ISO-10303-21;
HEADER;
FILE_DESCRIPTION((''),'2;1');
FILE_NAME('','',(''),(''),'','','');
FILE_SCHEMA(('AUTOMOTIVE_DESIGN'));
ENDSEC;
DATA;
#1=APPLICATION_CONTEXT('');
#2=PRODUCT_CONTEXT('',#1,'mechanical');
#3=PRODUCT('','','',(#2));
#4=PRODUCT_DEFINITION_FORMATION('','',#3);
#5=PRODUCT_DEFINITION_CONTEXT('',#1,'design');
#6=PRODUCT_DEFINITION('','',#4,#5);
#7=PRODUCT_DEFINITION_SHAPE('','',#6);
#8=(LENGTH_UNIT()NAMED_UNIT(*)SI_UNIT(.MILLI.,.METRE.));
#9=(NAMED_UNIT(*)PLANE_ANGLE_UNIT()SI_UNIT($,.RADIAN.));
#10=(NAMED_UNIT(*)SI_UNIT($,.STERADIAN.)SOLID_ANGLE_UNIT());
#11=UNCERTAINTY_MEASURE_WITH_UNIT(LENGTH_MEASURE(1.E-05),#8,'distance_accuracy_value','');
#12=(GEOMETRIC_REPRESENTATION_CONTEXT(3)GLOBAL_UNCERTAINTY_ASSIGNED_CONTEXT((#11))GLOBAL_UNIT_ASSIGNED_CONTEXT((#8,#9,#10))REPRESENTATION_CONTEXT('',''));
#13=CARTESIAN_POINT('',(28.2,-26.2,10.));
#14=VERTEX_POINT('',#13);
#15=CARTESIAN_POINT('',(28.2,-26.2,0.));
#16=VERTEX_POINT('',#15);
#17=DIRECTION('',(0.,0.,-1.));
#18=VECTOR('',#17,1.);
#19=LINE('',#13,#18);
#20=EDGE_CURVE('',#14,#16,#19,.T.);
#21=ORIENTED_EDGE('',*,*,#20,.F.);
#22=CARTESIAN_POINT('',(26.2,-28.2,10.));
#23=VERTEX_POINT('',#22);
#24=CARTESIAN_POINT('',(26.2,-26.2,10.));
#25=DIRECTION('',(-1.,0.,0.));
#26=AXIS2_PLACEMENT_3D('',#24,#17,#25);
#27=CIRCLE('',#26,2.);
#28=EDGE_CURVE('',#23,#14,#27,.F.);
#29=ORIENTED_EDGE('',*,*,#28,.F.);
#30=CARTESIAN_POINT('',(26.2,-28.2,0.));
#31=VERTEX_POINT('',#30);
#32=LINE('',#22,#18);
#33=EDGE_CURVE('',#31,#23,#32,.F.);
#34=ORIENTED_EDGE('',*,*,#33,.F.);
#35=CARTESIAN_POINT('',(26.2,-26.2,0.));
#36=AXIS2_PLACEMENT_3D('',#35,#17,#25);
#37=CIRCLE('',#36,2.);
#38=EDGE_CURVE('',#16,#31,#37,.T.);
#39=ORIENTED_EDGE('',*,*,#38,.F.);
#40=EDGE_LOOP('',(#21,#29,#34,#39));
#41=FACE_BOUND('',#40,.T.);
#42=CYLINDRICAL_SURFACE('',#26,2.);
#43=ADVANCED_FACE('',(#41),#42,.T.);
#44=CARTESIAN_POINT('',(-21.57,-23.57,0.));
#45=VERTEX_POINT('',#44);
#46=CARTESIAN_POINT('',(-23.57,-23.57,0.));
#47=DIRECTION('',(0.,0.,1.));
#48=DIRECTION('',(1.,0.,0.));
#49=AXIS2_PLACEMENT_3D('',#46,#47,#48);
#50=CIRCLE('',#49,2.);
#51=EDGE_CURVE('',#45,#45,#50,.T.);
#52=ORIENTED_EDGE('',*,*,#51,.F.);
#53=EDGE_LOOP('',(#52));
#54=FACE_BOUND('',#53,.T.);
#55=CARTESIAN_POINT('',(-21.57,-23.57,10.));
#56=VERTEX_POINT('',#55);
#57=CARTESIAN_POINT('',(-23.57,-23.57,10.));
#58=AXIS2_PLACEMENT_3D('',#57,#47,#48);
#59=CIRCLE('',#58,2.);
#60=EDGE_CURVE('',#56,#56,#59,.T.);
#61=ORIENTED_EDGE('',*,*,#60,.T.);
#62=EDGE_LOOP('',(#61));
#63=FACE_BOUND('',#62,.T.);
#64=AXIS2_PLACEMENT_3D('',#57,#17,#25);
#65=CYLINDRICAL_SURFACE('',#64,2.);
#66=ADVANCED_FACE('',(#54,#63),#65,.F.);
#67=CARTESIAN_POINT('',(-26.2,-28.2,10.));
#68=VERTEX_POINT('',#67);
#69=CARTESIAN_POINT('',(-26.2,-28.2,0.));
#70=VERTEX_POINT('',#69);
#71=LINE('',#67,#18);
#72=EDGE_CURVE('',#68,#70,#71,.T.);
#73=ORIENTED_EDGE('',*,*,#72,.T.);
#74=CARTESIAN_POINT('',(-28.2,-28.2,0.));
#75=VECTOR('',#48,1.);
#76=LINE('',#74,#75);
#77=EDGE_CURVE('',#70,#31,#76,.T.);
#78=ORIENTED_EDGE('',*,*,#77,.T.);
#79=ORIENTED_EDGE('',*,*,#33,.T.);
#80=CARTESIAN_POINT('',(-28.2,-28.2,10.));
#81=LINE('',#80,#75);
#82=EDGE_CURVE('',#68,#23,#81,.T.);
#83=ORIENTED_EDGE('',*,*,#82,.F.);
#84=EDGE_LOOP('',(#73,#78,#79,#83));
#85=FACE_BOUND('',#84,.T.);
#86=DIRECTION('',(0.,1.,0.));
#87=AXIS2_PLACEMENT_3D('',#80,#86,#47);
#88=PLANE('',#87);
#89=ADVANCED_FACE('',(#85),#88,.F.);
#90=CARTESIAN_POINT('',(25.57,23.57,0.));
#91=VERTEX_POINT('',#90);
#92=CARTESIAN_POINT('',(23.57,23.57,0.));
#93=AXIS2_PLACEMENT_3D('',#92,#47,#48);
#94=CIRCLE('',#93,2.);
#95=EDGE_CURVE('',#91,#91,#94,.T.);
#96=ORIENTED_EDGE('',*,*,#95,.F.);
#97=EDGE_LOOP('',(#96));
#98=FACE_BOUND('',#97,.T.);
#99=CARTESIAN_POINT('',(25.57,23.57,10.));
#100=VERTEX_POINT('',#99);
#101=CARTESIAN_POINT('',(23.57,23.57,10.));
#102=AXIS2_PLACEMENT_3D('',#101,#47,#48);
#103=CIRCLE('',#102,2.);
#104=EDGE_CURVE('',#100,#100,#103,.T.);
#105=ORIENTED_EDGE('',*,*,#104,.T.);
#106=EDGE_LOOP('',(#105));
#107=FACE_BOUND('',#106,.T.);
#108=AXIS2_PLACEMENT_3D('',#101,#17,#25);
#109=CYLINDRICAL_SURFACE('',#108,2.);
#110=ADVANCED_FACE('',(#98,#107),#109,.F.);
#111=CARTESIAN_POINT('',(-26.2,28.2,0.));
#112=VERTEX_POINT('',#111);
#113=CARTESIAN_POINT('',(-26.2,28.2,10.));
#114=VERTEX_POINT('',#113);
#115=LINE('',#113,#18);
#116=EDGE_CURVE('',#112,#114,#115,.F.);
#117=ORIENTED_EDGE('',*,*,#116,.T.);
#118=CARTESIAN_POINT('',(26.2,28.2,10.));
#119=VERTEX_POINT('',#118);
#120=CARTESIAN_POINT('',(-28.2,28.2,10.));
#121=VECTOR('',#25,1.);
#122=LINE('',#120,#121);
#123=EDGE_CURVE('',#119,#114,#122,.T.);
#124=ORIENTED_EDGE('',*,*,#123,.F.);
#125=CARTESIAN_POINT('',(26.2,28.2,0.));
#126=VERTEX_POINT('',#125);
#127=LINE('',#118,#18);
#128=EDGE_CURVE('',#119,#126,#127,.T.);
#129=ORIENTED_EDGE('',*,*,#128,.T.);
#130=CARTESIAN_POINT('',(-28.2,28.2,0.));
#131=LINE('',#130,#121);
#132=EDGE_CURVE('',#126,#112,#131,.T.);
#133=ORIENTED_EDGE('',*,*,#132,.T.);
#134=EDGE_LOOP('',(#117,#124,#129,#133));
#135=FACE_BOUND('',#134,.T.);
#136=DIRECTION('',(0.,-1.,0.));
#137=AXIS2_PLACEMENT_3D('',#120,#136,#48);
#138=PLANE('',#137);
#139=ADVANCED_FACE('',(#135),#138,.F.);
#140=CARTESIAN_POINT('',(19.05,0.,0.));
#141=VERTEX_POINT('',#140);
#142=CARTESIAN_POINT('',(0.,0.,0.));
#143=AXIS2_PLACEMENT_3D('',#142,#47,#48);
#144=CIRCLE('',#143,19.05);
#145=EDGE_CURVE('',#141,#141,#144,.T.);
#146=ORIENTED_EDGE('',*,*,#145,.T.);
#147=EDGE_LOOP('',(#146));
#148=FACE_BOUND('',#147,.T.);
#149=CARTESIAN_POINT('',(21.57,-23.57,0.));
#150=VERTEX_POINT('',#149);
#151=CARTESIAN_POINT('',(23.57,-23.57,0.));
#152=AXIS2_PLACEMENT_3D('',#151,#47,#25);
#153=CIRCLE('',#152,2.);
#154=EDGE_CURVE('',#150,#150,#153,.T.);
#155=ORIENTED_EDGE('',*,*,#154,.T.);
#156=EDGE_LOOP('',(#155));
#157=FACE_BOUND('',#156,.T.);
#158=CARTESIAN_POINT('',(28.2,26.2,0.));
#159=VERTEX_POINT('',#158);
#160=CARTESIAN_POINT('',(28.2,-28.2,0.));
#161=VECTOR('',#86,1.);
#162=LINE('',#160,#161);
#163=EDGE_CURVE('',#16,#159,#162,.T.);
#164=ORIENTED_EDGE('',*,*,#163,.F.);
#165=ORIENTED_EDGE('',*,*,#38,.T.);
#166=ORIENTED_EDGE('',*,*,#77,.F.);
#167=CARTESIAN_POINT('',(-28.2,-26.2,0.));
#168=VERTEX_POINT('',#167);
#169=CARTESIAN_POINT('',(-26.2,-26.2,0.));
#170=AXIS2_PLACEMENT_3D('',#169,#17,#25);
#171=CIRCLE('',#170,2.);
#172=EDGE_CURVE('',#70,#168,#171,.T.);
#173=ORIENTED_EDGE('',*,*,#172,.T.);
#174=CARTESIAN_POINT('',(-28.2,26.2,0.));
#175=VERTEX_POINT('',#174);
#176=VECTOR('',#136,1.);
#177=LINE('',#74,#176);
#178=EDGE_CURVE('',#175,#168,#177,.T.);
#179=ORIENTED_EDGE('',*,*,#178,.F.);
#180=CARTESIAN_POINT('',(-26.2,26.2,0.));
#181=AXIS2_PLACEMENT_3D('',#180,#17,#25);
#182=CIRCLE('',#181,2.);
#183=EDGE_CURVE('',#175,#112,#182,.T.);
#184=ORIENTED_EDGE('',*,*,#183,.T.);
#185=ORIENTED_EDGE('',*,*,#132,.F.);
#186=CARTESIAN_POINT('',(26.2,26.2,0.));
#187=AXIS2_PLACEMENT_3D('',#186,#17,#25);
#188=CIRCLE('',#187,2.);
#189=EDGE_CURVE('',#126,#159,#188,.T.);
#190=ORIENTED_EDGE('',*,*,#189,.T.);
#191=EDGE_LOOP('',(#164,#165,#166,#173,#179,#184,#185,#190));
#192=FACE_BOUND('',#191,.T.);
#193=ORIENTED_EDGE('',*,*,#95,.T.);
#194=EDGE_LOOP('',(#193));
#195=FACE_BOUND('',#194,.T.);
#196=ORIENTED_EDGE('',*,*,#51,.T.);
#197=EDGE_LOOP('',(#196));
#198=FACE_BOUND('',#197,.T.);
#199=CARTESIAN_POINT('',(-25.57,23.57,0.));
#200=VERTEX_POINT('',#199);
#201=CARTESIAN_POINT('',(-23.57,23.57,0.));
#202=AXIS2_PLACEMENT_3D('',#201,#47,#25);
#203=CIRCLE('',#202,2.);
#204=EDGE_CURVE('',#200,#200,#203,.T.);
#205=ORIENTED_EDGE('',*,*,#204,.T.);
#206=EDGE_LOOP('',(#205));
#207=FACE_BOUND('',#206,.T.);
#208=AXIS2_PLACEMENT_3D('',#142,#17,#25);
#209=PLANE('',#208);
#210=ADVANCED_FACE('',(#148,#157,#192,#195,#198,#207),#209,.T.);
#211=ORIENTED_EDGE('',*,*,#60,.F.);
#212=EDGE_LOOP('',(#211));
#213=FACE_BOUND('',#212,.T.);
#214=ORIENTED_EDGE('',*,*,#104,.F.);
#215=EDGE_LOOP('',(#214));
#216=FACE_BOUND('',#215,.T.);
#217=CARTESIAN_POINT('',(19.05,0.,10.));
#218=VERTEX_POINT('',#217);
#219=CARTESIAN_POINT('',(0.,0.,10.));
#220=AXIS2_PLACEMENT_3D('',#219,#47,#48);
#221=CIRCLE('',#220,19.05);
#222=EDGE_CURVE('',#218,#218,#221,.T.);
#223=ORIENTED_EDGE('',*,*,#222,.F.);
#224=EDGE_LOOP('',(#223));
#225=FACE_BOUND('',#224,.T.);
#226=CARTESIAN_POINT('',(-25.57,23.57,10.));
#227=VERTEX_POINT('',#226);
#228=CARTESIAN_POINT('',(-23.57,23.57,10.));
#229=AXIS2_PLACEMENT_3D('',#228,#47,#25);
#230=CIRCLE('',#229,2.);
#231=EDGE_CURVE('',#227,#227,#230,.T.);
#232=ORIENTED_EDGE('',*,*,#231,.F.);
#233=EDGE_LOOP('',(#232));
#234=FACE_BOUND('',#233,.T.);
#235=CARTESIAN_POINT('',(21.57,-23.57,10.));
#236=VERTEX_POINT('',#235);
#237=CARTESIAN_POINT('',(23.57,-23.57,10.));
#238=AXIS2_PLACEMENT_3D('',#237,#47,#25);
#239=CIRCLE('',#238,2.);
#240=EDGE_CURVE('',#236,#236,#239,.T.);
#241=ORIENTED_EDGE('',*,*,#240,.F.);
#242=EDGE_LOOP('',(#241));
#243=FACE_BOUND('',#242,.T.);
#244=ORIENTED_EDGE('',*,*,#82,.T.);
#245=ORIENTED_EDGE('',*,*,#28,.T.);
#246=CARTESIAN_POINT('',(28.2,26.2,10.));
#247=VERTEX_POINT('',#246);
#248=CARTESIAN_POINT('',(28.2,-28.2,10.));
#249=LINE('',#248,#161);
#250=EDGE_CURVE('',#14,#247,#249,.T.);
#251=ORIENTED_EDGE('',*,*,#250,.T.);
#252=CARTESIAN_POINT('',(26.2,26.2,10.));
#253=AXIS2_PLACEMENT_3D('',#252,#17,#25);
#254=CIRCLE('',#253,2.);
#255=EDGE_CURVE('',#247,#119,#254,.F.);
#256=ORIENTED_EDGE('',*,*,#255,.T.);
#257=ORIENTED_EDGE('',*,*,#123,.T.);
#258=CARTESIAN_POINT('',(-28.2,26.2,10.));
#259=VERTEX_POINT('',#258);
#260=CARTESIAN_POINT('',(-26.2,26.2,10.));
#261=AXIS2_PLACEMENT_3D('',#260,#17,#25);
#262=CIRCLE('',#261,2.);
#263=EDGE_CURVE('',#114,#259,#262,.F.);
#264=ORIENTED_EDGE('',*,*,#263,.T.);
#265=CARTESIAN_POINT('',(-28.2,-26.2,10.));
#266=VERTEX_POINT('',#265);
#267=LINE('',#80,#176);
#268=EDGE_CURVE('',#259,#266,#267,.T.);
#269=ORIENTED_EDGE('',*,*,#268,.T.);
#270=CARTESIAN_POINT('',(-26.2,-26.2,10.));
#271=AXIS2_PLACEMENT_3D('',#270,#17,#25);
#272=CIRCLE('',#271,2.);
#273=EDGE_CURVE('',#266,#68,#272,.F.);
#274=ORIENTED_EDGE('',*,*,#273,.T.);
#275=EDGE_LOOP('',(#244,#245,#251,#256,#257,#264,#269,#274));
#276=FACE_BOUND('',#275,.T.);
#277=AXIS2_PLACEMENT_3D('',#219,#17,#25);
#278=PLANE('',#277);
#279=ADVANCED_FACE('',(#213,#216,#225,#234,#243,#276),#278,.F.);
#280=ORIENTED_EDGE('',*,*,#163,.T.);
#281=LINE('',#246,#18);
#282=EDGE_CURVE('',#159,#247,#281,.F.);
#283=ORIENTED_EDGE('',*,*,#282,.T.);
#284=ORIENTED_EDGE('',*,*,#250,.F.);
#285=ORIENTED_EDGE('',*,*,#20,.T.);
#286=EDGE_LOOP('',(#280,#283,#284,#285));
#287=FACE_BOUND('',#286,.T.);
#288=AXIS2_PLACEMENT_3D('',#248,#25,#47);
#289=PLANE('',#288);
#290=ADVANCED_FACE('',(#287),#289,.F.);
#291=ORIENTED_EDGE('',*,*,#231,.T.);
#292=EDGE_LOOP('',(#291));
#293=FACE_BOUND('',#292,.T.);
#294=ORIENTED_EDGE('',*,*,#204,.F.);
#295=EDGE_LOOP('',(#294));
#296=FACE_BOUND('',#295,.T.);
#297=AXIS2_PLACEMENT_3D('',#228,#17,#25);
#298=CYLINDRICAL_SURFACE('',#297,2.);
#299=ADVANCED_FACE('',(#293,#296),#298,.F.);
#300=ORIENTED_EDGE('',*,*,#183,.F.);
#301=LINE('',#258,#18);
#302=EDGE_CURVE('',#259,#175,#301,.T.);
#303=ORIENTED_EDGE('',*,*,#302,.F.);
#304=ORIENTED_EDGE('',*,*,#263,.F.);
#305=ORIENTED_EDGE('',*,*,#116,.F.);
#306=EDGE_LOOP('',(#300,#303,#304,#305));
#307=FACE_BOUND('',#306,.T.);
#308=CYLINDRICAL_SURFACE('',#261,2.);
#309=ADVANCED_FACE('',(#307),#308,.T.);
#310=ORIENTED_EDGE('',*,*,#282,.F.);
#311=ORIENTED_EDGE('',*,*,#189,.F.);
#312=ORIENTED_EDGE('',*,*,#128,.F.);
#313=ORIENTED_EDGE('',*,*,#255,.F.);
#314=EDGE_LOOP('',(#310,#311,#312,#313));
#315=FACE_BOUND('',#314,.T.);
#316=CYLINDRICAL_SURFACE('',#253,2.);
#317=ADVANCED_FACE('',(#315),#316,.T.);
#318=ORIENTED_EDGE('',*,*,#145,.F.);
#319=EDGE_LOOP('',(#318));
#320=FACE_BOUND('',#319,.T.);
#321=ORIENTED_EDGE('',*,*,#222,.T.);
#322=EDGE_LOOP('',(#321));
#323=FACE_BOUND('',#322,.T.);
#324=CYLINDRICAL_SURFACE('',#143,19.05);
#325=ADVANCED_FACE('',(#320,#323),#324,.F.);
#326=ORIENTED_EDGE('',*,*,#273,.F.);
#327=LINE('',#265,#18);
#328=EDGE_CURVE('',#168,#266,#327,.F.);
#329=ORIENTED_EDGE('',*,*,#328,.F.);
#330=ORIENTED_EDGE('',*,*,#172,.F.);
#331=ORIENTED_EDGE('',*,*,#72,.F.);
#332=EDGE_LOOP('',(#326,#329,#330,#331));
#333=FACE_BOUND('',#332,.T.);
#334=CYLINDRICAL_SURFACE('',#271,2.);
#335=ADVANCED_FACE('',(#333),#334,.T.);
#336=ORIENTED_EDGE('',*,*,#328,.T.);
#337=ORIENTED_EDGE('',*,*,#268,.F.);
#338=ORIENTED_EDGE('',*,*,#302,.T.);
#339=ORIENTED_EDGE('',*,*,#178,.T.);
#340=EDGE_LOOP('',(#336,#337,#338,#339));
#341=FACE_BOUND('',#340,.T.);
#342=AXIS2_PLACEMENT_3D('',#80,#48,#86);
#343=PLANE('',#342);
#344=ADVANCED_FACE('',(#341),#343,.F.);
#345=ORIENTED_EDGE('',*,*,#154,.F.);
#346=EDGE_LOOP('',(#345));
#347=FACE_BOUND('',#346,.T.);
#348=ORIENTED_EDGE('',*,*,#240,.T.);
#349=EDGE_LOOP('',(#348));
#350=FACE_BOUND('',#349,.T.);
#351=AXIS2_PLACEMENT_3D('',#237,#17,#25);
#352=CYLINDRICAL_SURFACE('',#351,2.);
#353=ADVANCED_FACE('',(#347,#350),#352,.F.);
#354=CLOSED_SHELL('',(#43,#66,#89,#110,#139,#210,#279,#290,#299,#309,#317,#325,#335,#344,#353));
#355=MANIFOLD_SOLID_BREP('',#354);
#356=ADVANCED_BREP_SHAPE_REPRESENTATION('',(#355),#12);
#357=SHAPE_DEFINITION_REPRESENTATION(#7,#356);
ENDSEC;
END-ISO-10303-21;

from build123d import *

# Parameters (mm, degrees)
ESQUISSE1_W             = 56.4
ESQUISSE1_H             = 56.4
ESQUISSE1_R             = 2
BOSS_EXTRU_1_DEPTH      = 10
ESQUISSE2_R             = 19.05
ENL_V_MAT_EXTRU_1_DEPTH = 10
CONG_1_R                = 2


with BuildPart() as part:
    # Esquisse1 → Boss.-Extru.1 (new body)
    with BuildSketch(Plane.XY):
        Rectangle(ESQUISSE1_W, ESQUISSE1_H)
        with Locations((23.57, 23.57)):
            Circle(ESQUISSE1_R, mode=Mode.SUBTRACT)
        with Locations(Location((-23.57, 23.57, 0), (0, 0, 180))):
            Circle(ESQUISSE1_R, mode=Mode.SUBTRACT)
        with Locations(Location((23.57, -23.57, 0), (0, 0, 180))):
            Circle(ESQUISSE1_R, mode=Mode.SUBTRACT)
        with Locations((-23.57, -23.57)):
            Circle(ESQUISSE1_R, mode=Mode.SUBTRACT)
    extrude(amount=BOSS_EXTRU_1_DEPTH)

    # Esquisse2 → Enlèv. mat.-Extru.1 (cut)
    with BuildSketch(Plane.XY.offset(10)):
        Circle(ESQUISSE2_R)
    extrude(amount=-ENL_V_MAT_EXTRU_1_DEPTH, mode=Mode.SUBTRACT)

    # Congé1
    cong_1_edges = [part.edges().sort_by_distance(p)[0] for p in [
        (28.2, -28.2, 5),
        (-28.2, -28.2, 5),
        (-28.2, 28.2, 5),
        (28.2, 28.2, 5),
    ]]
    fillet(cong_1_edges, radius=CONG_1_R)


solid = part.part
